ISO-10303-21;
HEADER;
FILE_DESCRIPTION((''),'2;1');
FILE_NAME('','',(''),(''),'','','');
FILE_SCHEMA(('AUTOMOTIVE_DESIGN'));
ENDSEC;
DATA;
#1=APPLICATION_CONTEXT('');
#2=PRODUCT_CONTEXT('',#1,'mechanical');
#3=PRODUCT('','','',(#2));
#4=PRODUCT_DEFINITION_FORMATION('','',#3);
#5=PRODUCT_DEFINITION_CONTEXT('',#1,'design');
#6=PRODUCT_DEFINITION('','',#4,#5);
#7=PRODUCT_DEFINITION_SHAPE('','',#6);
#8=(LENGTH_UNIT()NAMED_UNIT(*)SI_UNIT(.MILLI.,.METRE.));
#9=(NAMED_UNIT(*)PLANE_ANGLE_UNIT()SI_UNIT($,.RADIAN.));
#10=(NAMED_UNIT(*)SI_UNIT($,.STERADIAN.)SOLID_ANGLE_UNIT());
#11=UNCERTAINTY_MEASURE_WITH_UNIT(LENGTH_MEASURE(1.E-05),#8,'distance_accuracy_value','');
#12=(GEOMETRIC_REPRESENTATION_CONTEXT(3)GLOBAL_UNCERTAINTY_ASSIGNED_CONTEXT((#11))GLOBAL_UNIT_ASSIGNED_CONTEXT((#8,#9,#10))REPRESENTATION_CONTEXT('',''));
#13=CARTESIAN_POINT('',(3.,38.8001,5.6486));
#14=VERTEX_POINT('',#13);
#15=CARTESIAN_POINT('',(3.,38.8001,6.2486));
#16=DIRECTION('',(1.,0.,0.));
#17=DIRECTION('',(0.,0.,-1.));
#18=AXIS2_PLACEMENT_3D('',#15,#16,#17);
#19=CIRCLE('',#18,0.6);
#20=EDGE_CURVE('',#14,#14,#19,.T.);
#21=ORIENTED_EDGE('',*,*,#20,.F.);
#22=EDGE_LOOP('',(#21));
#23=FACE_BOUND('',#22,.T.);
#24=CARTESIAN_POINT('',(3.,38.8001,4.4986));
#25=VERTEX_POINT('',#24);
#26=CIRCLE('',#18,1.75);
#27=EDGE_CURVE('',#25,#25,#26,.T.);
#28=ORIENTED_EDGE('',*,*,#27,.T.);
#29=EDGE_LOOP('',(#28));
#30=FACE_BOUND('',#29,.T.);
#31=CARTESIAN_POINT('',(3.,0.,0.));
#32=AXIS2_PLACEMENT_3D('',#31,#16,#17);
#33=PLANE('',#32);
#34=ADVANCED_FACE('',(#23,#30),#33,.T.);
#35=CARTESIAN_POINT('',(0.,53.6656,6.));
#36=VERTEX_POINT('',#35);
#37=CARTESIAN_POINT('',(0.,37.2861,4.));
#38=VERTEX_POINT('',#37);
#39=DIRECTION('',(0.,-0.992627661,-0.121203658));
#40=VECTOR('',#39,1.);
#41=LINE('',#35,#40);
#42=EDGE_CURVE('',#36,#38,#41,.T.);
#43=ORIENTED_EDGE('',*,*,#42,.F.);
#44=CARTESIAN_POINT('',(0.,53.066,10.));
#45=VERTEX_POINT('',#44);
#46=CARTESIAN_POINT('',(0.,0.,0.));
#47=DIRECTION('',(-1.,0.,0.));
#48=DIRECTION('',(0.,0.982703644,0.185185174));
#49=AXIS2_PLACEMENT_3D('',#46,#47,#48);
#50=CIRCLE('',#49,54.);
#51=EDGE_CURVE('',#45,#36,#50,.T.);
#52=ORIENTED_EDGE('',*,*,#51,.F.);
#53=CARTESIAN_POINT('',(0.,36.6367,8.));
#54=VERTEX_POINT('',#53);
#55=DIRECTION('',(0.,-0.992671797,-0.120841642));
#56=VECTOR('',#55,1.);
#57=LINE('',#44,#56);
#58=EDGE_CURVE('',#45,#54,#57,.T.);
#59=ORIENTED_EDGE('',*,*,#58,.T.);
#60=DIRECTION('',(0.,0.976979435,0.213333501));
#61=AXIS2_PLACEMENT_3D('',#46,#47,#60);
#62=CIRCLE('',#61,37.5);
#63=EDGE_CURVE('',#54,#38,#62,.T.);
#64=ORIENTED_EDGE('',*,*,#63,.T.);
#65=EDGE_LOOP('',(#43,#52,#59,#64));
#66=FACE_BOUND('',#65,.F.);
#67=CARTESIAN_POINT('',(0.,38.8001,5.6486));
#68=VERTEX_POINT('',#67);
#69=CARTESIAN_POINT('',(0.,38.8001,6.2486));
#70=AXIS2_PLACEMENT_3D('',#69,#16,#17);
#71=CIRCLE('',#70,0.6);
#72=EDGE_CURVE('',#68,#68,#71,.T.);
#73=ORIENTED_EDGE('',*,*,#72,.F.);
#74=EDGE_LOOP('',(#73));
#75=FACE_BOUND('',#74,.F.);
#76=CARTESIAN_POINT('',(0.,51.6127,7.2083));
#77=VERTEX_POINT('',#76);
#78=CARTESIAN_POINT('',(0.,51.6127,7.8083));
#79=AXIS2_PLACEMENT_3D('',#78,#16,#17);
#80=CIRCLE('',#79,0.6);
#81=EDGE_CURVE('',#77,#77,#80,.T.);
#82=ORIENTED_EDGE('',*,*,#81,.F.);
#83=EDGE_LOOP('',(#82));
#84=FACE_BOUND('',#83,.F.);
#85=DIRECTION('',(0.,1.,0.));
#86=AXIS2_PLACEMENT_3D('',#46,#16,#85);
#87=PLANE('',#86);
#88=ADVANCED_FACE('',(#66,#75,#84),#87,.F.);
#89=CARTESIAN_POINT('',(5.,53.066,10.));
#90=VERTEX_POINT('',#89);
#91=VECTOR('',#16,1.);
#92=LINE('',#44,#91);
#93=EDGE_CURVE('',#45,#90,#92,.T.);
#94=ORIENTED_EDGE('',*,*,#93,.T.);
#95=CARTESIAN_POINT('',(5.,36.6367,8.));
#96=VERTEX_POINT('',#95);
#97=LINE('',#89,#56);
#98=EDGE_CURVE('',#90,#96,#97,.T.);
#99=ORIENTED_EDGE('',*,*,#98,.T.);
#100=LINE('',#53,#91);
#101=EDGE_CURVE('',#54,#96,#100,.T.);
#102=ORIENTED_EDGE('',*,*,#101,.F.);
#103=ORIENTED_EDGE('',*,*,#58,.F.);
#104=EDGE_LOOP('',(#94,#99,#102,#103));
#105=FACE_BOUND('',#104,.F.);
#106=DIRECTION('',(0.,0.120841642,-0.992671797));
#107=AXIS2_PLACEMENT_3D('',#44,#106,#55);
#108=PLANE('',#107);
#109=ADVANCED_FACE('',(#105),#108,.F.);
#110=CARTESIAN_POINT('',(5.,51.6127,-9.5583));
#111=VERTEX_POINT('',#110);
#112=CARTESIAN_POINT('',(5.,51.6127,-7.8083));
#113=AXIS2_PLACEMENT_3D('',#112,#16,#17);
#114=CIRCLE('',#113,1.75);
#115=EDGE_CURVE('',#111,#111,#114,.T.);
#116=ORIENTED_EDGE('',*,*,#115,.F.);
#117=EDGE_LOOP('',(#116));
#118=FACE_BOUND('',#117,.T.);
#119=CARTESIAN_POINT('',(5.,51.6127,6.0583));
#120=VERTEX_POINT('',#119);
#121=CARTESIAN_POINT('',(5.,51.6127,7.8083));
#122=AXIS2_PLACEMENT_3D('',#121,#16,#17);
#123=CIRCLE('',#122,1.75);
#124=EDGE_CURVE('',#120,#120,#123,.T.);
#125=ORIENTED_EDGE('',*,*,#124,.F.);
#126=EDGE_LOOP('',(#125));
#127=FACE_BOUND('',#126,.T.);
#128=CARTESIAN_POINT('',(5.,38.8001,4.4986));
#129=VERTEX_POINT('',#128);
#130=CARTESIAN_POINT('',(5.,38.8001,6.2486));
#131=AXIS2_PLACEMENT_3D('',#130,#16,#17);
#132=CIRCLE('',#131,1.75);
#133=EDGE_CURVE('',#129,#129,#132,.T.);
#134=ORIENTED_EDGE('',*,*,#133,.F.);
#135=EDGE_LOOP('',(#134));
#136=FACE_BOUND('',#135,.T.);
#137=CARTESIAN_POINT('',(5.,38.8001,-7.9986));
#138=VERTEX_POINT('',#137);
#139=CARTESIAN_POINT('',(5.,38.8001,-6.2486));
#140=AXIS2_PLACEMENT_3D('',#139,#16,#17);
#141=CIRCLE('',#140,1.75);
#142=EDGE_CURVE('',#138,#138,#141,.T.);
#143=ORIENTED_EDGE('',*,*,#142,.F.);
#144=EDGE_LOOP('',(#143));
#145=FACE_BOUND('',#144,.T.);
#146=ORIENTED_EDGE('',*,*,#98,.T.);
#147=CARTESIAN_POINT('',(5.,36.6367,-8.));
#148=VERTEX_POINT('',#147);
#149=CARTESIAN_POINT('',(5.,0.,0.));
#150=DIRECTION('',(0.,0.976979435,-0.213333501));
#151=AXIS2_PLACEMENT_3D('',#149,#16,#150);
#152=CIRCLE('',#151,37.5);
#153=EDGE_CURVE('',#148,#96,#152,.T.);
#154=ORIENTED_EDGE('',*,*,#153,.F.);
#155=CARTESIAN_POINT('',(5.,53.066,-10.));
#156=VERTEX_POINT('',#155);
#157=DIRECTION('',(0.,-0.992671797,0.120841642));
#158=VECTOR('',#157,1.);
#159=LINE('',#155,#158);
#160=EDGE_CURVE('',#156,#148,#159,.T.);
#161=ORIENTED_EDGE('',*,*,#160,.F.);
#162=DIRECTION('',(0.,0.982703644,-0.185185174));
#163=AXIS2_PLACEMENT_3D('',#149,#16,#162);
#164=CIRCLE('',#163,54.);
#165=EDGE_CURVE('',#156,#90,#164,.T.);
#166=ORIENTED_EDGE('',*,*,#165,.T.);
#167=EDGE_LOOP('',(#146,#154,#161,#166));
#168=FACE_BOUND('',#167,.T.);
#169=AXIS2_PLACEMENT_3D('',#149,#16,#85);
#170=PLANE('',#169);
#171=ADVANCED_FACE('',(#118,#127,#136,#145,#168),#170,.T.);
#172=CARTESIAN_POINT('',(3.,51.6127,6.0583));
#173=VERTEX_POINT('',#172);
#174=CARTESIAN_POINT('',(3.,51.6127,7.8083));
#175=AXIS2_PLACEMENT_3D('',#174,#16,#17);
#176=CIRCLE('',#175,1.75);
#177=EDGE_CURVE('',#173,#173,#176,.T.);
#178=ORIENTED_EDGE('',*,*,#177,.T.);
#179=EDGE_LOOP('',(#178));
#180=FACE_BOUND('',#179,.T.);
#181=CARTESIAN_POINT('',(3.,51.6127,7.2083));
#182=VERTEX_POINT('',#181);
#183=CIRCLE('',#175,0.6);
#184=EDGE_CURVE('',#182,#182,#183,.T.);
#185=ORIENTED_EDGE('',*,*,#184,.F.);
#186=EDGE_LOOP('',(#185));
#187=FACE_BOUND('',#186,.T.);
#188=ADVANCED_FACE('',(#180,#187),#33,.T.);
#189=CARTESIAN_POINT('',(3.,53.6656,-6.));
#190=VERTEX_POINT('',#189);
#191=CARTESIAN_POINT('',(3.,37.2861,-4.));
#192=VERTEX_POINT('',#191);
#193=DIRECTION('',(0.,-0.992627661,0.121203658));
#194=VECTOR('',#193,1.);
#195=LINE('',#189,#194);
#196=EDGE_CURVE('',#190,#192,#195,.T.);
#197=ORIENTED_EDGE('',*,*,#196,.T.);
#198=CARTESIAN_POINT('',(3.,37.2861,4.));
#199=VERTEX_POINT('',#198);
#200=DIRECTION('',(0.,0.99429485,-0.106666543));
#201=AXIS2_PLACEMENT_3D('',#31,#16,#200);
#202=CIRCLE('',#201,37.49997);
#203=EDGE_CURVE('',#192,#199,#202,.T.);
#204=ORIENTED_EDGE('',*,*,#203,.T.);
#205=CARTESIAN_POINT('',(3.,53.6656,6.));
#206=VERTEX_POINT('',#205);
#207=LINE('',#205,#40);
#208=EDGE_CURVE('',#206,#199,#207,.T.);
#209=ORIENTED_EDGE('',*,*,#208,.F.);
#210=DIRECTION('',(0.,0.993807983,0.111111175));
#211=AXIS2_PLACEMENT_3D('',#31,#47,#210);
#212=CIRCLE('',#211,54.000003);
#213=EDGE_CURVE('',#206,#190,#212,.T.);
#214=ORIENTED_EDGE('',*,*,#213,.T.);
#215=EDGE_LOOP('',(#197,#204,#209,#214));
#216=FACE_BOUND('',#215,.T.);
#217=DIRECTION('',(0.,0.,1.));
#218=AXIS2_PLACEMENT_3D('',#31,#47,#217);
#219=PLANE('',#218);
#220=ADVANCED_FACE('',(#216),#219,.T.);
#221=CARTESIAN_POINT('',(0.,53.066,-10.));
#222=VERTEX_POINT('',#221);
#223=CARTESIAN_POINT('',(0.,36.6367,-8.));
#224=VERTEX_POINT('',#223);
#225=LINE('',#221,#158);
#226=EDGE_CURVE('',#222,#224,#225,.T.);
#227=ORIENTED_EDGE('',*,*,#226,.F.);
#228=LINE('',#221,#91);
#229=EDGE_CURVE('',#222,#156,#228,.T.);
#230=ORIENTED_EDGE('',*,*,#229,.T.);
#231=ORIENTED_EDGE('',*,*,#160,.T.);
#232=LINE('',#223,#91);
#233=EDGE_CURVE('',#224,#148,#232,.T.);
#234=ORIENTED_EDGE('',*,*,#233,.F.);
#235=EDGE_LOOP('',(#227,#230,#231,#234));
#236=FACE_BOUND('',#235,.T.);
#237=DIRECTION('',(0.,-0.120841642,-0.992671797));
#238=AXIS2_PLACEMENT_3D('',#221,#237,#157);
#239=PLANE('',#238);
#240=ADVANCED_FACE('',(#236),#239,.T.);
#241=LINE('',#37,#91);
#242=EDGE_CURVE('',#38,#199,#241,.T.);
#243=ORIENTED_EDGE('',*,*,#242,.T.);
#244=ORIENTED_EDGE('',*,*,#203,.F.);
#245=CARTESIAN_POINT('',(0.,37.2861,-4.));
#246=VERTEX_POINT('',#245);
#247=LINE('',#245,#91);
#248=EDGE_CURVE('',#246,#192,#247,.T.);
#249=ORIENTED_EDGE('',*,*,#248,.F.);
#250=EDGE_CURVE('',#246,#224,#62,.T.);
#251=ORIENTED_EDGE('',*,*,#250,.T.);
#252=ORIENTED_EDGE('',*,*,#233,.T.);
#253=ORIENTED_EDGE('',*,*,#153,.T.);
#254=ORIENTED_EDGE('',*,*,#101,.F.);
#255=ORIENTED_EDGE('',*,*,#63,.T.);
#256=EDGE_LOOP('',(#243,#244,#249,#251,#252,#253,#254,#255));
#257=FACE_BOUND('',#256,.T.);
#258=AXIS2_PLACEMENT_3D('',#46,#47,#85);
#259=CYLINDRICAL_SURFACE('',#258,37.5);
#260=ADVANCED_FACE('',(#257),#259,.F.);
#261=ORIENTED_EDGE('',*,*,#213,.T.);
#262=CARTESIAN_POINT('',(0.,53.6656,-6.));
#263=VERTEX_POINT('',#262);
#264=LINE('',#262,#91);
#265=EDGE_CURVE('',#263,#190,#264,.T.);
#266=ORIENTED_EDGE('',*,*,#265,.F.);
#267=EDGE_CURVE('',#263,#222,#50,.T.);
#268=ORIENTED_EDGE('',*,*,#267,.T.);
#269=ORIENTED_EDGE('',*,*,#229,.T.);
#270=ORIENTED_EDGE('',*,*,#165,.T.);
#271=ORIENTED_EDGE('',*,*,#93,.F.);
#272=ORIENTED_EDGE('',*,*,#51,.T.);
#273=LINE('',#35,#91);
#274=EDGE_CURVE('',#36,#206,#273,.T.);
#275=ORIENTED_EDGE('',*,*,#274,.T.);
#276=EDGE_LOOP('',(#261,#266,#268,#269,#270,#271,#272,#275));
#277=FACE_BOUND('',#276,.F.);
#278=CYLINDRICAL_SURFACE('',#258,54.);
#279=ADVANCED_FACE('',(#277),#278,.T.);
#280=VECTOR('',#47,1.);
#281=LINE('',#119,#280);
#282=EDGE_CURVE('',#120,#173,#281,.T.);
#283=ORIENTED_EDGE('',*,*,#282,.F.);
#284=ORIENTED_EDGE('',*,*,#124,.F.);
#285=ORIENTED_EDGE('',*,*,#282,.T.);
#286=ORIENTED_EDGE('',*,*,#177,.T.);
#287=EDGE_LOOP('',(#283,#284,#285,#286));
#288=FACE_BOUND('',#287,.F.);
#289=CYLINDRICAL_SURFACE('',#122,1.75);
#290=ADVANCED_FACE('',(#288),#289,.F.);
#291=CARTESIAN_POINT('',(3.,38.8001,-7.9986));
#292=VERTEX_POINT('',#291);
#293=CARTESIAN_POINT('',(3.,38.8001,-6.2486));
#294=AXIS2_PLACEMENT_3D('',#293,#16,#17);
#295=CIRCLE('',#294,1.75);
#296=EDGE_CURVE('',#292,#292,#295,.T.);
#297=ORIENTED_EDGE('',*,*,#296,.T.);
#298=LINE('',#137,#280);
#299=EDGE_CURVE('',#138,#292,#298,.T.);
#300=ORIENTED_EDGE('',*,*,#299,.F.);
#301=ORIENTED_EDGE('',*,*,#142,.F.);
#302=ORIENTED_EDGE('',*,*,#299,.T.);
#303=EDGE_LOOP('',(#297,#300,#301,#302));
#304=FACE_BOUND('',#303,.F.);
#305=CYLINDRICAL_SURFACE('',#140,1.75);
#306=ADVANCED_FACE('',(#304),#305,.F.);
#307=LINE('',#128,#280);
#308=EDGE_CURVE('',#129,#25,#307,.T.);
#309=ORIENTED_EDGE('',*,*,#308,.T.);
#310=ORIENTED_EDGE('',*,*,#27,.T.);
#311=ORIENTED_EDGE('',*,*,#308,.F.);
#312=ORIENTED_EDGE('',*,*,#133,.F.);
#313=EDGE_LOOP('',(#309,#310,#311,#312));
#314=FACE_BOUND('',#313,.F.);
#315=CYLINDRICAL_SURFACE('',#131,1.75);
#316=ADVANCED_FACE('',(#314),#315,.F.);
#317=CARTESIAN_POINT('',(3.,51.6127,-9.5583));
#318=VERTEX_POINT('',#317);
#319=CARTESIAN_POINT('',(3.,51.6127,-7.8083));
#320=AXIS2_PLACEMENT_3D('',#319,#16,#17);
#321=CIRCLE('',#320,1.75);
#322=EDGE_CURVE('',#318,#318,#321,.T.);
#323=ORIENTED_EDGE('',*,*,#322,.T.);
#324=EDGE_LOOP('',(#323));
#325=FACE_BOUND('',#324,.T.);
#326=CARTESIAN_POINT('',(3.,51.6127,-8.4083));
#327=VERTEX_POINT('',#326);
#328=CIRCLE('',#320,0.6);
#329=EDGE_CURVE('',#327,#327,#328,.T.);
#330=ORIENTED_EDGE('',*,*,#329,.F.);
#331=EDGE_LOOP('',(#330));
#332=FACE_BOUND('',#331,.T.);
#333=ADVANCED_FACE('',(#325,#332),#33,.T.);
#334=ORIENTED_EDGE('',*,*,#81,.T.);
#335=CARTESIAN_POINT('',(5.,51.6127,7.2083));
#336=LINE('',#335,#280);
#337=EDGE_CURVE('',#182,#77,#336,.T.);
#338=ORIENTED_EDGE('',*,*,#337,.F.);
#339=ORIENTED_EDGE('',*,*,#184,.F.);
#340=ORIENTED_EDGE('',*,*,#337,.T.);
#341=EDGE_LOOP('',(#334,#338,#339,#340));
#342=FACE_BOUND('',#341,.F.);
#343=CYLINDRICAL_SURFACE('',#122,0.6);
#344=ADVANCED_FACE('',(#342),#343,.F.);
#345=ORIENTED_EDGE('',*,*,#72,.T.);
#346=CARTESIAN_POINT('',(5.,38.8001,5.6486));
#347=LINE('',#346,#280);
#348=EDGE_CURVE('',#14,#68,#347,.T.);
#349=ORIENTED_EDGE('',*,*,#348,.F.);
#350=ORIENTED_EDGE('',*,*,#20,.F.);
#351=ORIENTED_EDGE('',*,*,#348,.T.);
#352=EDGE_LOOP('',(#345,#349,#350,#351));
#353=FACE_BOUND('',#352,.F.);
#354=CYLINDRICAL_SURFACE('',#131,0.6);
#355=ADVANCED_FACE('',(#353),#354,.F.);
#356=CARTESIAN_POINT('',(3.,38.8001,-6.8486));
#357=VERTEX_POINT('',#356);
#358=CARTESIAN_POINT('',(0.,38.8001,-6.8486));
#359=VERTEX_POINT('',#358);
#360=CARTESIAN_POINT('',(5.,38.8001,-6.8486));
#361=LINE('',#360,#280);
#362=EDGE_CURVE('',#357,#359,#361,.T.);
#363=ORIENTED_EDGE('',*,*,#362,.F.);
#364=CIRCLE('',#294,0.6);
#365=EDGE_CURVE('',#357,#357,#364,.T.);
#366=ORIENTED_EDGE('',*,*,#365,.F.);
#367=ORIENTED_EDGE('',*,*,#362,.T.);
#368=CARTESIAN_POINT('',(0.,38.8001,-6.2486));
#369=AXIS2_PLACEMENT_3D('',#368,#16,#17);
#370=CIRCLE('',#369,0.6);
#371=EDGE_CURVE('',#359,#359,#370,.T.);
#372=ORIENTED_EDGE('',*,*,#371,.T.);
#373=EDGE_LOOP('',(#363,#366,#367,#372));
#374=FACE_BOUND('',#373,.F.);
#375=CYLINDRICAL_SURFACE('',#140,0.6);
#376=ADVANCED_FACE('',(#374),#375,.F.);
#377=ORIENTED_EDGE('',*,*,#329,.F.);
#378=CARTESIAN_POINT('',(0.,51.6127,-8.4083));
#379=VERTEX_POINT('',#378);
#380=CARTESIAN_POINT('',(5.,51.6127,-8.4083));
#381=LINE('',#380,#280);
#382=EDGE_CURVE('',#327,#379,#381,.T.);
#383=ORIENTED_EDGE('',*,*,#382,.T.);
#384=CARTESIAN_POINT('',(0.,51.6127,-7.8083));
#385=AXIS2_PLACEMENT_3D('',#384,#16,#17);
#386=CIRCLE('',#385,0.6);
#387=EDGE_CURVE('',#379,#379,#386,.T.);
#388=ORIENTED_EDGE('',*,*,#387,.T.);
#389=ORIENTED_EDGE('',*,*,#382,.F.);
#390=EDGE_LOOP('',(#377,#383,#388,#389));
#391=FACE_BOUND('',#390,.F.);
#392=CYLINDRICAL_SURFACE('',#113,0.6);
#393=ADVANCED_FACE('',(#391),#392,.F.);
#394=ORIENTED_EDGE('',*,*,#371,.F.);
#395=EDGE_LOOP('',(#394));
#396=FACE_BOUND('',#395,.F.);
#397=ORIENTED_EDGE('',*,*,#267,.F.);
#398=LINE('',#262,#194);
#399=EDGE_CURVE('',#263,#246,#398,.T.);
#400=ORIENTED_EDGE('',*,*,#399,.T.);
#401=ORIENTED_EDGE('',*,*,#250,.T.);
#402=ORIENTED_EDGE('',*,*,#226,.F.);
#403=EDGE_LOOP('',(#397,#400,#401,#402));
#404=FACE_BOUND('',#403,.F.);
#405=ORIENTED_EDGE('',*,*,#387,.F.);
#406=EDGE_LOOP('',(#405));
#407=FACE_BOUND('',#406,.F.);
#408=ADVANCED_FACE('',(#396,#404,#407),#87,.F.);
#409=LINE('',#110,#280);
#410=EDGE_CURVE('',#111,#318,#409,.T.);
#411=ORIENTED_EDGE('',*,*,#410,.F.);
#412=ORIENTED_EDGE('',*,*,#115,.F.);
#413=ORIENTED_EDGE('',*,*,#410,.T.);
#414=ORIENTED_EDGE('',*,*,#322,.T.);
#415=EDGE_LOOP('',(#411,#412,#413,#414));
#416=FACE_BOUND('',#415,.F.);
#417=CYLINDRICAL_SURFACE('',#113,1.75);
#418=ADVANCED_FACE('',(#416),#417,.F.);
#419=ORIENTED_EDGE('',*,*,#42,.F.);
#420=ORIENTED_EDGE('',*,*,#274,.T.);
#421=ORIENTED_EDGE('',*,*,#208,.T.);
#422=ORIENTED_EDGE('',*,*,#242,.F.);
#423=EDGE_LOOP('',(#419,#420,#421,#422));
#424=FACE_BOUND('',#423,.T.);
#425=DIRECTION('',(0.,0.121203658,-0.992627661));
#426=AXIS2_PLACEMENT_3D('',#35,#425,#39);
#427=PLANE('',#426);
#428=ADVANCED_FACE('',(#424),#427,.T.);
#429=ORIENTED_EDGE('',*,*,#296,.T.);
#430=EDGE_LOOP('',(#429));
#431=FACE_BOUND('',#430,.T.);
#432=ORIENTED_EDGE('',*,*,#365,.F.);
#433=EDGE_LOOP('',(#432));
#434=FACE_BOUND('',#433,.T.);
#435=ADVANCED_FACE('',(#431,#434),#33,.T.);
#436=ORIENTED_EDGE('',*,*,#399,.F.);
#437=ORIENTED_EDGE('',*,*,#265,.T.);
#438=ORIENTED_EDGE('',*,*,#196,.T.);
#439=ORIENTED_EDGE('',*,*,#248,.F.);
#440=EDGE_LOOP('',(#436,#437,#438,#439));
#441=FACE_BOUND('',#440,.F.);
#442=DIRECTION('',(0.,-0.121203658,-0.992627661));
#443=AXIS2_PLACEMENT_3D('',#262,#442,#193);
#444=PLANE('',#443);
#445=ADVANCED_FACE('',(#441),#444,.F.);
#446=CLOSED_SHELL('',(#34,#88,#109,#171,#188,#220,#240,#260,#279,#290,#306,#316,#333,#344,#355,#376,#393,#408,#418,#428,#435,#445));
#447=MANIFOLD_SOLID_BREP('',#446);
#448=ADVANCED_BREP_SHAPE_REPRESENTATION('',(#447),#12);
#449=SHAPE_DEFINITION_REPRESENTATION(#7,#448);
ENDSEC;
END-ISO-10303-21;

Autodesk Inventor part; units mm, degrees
ref_plane "YZ Plane" through (0, 0, 0) normal (1, 0, 0) x (0, 1, 0)
ref_plane "XZ Plane" through (0, 0, 0) normal (0, 1, 0) x (-1, 0, 0)
ref_plane "XY Plane" through (0, 0, 0) normal (0, 0, 1) x (1, 0, 0)
sketch "Sketch1" plane through (0, 0, 0) normal (1, 0, 0) x (0, 1, 0)
  circle A0 centre (0, 0) radius 54
  circle A1 centre (0, 0) radius 37.5
  line L0 (37.5, 0) -> (54, 0)
  line L1 (53.066, -10) -> (36.6367, -8)
  line L2 (53.066, 10) -> (36.6367, 8)
  arc A2 (53.066, -10) -> (53.066, 10) centre (0, 0) ccw
  arc A3 (36.6367, -8) -> (36.6367, 8) centre (0, 0) ccw
  dimension "d0" = 108
  dimension "d1" = 75
  dimension "d2" = 10
  dimension "d3" = 0
  dimension "d4" = 8
extrude "Extrusion1" add sketch "Sketch1" along normal blind 5 contours L0 A1 L2 A0 | A0 L1 A1 L0
sketch "Sketch2" plane through (0, 0, 0) normal (-1, 0, 0) x (0, 0, 1)
  arc A0 (10, 53.066) -> (-10, 53.066) centre (0, 0) ccw projected
  line L0 (-6, 53.6656) -> (-4, 37.2861)
  arc A1 (8, 36.6367) -> (-8, 36.6367) centre (0, 0) ccw projected
  line L1 (0, 54) -> (0, 37.5)
  line L2 (6, 53.6656) -> (4, 37.2861)
  arc A2 (6, 53.6656) -> (-6, 53.6656) centre (0, 0) ccw
  arc A3 (4, 37.2861) -> (-4, 37.2861) centre (0, 0) ccw
  point P0 (0, 0)
  dimension "d7" = 4
  dimension "d8" = 4
extrude "Extrusion2" cut sketch "Sketch2" against normal blind 3
sketch "Sketch3" plane through (5, 0, 0) normal (1, 0, 0) x (0, 0, -1)
  line L0 (-10, 53.066) -> (-8, 36.6367) projected
  circle A0 centre (0, 0) radius 52.2
  circle A1 centre (0, 0) radius 39.3
  circle A2 centre (-7.8083, 51.6127) radius 0.6
  circle A3 centre (-6.2486, 38.8001) radius 0.6
  line L1 (0, 54) -> (0, 37.3718)
  circle A4 centre (7.8083, 51.6127) radius 0.6
  circle A5 centre (6.2486, 38.8001) radius 0.6
  dimension "d15" = 104.4
  dimension "d16" = 78.6
  dimension "d17" = 1.2
  dimension "d18" = 1.2
  dimension "d19" = 2
  dimension "d20" = 2
extrude "Extrusion3" cut sketch "Sketch3" against normal through all contours A2 A0 | A0 A2 | A3 A1 | A1 A3 | A4 A0 | A0 A4 | A5 A1 | A1 A5
sketch "Sketch4" plane through (5, 0, 0) normal (1, 0, 0) x (0, 0, -1)
  circle A0 centre (-7.8083, 51.6127) radius 0.6 projected
  circle A1 centre (-7.8083, 51.6127) radius 1.75
  circle A2 centre (7.8083, 51.6127) radius 0.6 projected
  circle A3 centre (7.8083, 51.6127) radius 1.75
  circle A4 centre (6.2486, 38.8001) radius 0.6 projected
  circle A5 centre (6.2486, 38.8001) radius 1.75
  circle A6 centre (-6.2486, 38.8001) radius 0.6 projected
  circle A7 centre (-6.2486, 38.8001) radius 1.75
  point P0 (0, 0)
  dimension "d23" = 3.5
  dimension "d24" = 3.5
  dimension "d25" = 3.5
  dimension "d26" = 3.5
extrude "Extrusion4" cut sketch "Sketch4" against normal blind 2
properties part number "32111_Lock Wedge Backing_V1" material "Acetal Resin, White"
